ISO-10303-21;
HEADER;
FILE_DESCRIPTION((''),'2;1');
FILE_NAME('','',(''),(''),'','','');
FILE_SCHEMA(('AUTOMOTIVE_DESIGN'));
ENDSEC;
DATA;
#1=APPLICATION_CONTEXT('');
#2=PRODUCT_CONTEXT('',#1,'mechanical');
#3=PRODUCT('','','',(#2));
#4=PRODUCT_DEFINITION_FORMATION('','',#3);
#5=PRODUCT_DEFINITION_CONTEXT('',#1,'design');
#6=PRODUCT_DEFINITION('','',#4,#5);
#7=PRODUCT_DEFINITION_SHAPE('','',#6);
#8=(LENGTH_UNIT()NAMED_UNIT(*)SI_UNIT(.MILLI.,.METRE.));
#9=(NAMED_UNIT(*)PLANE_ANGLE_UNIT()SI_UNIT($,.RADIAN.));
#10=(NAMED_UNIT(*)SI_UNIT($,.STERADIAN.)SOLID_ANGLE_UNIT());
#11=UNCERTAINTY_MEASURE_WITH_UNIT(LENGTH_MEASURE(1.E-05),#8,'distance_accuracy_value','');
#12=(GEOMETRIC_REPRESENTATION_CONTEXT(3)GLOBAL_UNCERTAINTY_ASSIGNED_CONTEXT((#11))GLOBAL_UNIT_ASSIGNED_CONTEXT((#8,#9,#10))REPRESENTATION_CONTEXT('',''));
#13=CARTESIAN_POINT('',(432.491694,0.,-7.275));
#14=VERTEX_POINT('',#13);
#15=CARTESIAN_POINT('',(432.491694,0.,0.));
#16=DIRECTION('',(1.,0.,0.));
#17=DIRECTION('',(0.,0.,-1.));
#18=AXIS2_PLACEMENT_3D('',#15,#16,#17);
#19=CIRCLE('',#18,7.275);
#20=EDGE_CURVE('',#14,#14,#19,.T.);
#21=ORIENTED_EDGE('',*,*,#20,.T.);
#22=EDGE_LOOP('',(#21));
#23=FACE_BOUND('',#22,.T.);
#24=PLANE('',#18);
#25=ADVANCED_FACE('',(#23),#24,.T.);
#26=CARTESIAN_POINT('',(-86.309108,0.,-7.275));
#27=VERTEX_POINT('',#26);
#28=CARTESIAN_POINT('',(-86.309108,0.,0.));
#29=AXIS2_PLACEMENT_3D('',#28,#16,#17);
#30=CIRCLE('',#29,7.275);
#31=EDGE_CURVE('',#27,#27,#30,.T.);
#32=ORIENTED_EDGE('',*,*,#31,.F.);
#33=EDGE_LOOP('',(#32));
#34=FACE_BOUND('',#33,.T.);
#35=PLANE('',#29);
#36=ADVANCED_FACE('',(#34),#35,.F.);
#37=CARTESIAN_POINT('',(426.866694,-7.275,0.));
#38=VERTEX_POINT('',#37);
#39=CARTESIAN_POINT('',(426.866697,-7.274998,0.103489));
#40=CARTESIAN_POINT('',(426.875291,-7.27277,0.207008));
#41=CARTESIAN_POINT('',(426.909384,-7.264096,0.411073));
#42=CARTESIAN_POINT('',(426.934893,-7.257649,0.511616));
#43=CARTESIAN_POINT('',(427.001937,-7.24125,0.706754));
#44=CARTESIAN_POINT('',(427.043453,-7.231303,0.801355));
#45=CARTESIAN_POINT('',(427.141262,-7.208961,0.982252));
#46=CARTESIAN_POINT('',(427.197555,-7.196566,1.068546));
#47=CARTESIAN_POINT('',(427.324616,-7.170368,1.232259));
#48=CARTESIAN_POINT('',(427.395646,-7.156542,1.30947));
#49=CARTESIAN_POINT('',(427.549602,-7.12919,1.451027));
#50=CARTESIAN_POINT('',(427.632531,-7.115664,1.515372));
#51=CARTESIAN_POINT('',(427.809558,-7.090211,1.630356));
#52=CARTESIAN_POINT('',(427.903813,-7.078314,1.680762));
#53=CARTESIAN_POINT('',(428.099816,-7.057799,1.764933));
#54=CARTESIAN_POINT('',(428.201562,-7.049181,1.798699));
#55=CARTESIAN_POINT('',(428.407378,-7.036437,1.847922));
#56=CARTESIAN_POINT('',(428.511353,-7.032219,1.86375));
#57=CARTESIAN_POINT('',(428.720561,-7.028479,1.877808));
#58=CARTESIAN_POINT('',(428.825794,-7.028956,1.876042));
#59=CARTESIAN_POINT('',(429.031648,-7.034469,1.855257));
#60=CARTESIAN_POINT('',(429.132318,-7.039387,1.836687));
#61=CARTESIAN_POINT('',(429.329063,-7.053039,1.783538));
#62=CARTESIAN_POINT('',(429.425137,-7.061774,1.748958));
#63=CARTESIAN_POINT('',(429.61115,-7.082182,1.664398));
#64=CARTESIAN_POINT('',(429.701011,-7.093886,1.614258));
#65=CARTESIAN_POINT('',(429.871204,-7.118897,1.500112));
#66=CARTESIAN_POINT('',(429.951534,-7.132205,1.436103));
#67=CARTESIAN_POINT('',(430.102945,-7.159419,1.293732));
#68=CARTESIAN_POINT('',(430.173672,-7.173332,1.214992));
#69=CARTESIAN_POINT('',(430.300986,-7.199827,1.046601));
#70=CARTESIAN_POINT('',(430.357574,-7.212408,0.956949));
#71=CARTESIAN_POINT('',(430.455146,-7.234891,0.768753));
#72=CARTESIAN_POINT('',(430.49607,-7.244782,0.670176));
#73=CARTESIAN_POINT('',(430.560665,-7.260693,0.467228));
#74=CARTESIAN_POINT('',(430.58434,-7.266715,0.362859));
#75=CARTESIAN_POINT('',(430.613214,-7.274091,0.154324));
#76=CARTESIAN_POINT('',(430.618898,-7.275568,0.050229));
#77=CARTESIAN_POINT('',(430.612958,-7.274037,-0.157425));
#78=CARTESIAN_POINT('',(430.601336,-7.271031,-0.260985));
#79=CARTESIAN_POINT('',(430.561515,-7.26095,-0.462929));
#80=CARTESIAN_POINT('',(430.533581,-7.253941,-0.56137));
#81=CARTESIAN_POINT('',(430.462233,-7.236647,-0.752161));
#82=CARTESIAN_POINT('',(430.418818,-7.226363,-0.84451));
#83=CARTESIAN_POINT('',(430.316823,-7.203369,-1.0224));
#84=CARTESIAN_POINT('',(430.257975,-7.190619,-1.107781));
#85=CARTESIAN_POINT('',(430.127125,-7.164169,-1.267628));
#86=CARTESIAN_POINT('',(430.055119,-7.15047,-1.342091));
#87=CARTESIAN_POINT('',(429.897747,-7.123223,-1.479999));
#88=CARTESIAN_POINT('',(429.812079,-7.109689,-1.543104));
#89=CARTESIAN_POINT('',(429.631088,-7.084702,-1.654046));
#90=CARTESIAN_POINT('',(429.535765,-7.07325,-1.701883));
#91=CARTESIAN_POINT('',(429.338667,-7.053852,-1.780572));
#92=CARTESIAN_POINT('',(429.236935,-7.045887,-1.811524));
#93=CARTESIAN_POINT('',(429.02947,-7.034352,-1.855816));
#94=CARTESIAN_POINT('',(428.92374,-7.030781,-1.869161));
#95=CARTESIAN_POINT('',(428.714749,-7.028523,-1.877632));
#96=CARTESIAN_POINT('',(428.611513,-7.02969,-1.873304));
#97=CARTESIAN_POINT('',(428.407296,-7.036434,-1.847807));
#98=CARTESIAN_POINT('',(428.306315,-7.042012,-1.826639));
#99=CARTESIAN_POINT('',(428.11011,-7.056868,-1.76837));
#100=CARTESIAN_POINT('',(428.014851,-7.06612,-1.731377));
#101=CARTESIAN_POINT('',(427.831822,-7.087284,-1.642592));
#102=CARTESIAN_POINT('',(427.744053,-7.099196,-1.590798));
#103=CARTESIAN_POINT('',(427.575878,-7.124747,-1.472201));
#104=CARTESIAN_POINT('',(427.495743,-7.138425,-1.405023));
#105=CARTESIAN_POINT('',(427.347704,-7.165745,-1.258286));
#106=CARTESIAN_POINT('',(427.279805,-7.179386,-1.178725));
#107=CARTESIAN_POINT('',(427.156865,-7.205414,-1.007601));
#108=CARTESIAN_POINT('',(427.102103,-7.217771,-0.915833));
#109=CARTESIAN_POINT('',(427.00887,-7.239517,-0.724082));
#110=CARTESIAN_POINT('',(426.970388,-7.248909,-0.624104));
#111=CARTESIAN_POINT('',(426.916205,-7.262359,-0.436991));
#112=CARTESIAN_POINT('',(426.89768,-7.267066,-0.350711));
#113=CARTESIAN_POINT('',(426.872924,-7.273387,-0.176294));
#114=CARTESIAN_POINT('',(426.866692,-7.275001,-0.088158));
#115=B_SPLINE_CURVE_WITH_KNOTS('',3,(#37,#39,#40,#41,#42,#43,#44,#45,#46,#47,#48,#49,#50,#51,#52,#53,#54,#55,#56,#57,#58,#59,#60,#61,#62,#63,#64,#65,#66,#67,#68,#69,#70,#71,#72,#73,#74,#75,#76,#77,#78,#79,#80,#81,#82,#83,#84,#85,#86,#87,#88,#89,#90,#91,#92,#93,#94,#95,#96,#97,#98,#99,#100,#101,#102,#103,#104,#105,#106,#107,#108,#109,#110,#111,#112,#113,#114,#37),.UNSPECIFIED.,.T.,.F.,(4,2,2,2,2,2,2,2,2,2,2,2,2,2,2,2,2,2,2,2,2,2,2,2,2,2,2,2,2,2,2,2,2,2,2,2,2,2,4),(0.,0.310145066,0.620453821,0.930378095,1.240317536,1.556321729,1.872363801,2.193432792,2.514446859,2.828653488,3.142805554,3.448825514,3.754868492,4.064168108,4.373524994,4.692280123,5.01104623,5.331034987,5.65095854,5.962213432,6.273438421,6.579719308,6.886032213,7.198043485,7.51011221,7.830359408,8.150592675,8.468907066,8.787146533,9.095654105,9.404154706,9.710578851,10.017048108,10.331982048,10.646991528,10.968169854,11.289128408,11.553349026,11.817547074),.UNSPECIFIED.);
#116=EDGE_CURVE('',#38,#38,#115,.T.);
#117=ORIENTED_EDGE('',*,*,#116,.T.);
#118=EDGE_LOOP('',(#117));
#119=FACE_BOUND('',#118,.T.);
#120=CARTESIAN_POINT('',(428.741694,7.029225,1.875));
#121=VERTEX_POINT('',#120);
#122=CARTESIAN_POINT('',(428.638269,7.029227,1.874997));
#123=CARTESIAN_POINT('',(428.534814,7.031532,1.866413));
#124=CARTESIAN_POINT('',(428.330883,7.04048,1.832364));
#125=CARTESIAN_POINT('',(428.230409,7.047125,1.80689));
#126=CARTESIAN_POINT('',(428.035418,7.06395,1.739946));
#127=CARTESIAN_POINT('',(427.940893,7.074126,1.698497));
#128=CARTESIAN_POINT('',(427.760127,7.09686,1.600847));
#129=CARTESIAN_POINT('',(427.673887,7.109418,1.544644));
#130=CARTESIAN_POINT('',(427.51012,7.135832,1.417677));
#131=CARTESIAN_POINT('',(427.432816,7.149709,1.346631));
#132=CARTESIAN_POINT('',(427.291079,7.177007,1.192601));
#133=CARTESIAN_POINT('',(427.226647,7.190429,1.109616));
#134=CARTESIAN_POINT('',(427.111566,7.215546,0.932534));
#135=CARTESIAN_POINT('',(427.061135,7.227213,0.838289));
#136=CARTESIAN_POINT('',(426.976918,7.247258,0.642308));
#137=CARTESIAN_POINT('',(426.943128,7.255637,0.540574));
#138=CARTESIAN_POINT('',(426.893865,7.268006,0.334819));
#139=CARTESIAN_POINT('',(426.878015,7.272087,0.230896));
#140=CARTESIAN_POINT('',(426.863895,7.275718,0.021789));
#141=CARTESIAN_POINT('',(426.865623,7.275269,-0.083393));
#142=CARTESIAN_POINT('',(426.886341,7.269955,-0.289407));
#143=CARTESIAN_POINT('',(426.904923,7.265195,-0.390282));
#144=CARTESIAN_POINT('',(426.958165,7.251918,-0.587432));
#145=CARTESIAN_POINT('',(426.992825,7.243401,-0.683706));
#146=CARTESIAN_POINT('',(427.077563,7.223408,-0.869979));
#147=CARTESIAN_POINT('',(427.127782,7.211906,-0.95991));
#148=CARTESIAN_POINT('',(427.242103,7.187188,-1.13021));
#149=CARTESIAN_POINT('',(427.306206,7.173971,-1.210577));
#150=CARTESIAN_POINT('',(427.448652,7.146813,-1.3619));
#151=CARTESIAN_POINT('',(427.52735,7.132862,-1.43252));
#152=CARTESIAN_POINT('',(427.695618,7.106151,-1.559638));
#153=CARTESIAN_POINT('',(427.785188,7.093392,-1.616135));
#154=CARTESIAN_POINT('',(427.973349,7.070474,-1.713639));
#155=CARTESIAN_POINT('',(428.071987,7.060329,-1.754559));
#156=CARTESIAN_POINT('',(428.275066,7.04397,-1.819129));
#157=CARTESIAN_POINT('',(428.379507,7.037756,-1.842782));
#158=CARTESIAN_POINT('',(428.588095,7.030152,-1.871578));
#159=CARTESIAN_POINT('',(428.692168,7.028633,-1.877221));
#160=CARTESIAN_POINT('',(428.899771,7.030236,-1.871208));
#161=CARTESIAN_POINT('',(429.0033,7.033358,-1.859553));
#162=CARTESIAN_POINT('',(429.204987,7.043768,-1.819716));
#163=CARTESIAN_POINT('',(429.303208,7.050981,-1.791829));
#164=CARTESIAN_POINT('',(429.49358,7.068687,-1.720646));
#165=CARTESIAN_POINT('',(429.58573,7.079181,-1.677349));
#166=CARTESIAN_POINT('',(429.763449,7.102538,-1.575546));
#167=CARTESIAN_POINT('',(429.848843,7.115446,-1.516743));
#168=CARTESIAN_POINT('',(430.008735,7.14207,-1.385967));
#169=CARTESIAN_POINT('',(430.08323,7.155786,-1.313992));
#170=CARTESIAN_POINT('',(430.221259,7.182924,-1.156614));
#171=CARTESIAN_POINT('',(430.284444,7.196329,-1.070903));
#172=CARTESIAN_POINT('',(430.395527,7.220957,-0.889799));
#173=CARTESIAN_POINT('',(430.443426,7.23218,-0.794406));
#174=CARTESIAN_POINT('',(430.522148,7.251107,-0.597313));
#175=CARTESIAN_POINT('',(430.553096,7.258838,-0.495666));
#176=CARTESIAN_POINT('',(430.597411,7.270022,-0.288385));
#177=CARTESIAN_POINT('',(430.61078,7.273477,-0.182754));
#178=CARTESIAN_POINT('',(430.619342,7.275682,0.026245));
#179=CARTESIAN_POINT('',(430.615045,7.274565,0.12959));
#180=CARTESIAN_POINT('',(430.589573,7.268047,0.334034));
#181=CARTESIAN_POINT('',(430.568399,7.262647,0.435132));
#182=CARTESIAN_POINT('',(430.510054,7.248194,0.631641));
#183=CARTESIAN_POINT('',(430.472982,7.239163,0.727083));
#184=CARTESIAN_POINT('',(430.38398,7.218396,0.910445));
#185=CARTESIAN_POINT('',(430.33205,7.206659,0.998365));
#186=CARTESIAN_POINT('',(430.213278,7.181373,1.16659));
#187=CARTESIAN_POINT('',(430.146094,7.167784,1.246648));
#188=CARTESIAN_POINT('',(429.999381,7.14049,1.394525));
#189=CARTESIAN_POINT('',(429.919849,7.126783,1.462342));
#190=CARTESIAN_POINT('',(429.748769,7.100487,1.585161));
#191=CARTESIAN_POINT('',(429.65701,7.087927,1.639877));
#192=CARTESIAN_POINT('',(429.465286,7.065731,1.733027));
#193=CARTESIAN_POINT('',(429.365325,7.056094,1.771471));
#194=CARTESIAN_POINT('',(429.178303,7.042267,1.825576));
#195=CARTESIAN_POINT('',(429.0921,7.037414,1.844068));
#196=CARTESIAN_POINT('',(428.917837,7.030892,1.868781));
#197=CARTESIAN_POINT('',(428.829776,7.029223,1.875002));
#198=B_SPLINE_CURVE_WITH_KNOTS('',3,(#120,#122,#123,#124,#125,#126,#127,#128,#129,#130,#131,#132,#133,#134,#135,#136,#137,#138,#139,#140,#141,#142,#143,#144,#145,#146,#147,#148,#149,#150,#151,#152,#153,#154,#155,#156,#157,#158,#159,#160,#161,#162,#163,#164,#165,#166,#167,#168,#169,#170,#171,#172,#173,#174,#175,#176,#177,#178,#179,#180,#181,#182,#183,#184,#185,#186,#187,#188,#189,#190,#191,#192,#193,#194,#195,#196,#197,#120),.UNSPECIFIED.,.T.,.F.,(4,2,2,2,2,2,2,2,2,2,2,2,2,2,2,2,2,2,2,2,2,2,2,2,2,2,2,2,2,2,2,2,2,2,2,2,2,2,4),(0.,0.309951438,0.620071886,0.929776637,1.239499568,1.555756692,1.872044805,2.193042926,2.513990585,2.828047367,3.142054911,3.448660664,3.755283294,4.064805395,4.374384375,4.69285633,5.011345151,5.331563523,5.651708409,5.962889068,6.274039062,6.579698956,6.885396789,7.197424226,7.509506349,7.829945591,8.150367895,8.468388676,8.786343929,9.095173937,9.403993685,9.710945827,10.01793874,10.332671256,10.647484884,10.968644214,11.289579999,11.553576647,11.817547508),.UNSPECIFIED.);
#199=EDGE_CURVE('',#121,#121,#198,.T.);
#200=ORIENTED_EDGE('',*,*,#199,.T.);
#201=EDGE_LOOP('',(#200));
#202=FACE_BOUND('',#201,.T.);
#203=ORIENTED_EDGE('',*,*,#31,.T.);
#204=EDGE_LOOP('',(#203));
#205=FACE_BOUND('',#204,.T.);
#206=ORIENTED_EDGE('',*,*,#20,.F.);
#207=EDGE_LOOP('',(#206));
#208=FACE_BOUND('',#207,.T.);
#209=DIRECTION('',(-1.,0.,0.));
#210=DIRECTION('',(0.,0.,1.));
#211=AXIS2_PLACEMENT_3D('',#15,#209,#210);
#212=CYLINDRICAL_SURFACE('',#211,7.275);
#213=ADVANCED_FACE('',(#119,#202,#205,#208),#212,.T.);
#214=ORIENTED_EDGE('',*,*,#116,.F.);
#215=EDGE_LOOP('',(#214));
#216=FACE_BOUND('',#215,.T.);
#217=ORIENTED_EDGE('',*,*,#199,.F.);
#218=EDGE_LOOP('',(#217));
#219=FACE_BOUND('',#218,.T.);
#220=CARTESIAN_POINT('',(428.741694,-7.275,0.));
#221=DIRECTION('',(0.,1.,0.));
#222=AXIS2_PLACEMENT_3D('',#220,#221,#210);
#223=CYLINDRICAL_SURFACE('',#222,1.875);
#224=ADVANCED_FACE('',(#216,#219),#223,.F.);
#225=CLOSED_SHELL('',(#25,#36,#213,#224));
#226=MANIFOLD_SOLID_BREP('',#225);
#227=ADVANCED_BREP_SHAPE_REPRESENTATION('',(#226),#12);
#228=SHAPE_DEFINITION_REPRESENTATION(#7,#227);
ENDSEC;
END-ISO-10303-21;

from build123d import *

# Parameters (mm, degrees)
SKETCH1_R               = 4.85
BOSS_EXTRUDE1_DEPTH     = 345.867201
CUT_EXTRUDE1_DEPTH      = 346.935204522
CUT_EXTRUDE1_DEPTH_BACK = 346.935204522
SKETCH2_R               = 1.25
SCALE1_SCALE            = 1.5


with BuildPart() as part:
    # Sketch1 → Boss-Extrude1 (new body)
    with BuildSketch(Plane(origin=(0, 0, 0), x_dir=(0, 0, -1), z_dir=(1, 0, 0))):
        Circle(SKETCH1_R)
    extrude(amount=BOSS_EXTRUDE1_DEPTH)

    # Sketch2 → Cut-Extrude1 (cut, two sides: drawn at the far end of the back side and taken through both)
    with BuildSketch(Plane(origin=(0, 0, 0), x_dir=(1, 0, 0), z_dir=(0, 1, 0)).offset(-CUT_EXTRUDE1_DEPTH_BACK)):
        with Locations(Location((343.367201, 0, 0), (0, 0, 270))):
            Circle(SKETCH2_R)
    extrude(amount=CUT_EXTRUDE1_DEPTH + CUT_EXTRUDE1_DEPTH_BACK, mode=Mode.SUBTRACT)


with BuildPart() as part_1:
    # Scale1: scaled about (172.618275836, 0, 1.121e-06)
    add(part.part.scale(SCALE1_SCALE).moved(Location((-86.309137918, 0, -5.6e-07))))


solid = part_1.part
